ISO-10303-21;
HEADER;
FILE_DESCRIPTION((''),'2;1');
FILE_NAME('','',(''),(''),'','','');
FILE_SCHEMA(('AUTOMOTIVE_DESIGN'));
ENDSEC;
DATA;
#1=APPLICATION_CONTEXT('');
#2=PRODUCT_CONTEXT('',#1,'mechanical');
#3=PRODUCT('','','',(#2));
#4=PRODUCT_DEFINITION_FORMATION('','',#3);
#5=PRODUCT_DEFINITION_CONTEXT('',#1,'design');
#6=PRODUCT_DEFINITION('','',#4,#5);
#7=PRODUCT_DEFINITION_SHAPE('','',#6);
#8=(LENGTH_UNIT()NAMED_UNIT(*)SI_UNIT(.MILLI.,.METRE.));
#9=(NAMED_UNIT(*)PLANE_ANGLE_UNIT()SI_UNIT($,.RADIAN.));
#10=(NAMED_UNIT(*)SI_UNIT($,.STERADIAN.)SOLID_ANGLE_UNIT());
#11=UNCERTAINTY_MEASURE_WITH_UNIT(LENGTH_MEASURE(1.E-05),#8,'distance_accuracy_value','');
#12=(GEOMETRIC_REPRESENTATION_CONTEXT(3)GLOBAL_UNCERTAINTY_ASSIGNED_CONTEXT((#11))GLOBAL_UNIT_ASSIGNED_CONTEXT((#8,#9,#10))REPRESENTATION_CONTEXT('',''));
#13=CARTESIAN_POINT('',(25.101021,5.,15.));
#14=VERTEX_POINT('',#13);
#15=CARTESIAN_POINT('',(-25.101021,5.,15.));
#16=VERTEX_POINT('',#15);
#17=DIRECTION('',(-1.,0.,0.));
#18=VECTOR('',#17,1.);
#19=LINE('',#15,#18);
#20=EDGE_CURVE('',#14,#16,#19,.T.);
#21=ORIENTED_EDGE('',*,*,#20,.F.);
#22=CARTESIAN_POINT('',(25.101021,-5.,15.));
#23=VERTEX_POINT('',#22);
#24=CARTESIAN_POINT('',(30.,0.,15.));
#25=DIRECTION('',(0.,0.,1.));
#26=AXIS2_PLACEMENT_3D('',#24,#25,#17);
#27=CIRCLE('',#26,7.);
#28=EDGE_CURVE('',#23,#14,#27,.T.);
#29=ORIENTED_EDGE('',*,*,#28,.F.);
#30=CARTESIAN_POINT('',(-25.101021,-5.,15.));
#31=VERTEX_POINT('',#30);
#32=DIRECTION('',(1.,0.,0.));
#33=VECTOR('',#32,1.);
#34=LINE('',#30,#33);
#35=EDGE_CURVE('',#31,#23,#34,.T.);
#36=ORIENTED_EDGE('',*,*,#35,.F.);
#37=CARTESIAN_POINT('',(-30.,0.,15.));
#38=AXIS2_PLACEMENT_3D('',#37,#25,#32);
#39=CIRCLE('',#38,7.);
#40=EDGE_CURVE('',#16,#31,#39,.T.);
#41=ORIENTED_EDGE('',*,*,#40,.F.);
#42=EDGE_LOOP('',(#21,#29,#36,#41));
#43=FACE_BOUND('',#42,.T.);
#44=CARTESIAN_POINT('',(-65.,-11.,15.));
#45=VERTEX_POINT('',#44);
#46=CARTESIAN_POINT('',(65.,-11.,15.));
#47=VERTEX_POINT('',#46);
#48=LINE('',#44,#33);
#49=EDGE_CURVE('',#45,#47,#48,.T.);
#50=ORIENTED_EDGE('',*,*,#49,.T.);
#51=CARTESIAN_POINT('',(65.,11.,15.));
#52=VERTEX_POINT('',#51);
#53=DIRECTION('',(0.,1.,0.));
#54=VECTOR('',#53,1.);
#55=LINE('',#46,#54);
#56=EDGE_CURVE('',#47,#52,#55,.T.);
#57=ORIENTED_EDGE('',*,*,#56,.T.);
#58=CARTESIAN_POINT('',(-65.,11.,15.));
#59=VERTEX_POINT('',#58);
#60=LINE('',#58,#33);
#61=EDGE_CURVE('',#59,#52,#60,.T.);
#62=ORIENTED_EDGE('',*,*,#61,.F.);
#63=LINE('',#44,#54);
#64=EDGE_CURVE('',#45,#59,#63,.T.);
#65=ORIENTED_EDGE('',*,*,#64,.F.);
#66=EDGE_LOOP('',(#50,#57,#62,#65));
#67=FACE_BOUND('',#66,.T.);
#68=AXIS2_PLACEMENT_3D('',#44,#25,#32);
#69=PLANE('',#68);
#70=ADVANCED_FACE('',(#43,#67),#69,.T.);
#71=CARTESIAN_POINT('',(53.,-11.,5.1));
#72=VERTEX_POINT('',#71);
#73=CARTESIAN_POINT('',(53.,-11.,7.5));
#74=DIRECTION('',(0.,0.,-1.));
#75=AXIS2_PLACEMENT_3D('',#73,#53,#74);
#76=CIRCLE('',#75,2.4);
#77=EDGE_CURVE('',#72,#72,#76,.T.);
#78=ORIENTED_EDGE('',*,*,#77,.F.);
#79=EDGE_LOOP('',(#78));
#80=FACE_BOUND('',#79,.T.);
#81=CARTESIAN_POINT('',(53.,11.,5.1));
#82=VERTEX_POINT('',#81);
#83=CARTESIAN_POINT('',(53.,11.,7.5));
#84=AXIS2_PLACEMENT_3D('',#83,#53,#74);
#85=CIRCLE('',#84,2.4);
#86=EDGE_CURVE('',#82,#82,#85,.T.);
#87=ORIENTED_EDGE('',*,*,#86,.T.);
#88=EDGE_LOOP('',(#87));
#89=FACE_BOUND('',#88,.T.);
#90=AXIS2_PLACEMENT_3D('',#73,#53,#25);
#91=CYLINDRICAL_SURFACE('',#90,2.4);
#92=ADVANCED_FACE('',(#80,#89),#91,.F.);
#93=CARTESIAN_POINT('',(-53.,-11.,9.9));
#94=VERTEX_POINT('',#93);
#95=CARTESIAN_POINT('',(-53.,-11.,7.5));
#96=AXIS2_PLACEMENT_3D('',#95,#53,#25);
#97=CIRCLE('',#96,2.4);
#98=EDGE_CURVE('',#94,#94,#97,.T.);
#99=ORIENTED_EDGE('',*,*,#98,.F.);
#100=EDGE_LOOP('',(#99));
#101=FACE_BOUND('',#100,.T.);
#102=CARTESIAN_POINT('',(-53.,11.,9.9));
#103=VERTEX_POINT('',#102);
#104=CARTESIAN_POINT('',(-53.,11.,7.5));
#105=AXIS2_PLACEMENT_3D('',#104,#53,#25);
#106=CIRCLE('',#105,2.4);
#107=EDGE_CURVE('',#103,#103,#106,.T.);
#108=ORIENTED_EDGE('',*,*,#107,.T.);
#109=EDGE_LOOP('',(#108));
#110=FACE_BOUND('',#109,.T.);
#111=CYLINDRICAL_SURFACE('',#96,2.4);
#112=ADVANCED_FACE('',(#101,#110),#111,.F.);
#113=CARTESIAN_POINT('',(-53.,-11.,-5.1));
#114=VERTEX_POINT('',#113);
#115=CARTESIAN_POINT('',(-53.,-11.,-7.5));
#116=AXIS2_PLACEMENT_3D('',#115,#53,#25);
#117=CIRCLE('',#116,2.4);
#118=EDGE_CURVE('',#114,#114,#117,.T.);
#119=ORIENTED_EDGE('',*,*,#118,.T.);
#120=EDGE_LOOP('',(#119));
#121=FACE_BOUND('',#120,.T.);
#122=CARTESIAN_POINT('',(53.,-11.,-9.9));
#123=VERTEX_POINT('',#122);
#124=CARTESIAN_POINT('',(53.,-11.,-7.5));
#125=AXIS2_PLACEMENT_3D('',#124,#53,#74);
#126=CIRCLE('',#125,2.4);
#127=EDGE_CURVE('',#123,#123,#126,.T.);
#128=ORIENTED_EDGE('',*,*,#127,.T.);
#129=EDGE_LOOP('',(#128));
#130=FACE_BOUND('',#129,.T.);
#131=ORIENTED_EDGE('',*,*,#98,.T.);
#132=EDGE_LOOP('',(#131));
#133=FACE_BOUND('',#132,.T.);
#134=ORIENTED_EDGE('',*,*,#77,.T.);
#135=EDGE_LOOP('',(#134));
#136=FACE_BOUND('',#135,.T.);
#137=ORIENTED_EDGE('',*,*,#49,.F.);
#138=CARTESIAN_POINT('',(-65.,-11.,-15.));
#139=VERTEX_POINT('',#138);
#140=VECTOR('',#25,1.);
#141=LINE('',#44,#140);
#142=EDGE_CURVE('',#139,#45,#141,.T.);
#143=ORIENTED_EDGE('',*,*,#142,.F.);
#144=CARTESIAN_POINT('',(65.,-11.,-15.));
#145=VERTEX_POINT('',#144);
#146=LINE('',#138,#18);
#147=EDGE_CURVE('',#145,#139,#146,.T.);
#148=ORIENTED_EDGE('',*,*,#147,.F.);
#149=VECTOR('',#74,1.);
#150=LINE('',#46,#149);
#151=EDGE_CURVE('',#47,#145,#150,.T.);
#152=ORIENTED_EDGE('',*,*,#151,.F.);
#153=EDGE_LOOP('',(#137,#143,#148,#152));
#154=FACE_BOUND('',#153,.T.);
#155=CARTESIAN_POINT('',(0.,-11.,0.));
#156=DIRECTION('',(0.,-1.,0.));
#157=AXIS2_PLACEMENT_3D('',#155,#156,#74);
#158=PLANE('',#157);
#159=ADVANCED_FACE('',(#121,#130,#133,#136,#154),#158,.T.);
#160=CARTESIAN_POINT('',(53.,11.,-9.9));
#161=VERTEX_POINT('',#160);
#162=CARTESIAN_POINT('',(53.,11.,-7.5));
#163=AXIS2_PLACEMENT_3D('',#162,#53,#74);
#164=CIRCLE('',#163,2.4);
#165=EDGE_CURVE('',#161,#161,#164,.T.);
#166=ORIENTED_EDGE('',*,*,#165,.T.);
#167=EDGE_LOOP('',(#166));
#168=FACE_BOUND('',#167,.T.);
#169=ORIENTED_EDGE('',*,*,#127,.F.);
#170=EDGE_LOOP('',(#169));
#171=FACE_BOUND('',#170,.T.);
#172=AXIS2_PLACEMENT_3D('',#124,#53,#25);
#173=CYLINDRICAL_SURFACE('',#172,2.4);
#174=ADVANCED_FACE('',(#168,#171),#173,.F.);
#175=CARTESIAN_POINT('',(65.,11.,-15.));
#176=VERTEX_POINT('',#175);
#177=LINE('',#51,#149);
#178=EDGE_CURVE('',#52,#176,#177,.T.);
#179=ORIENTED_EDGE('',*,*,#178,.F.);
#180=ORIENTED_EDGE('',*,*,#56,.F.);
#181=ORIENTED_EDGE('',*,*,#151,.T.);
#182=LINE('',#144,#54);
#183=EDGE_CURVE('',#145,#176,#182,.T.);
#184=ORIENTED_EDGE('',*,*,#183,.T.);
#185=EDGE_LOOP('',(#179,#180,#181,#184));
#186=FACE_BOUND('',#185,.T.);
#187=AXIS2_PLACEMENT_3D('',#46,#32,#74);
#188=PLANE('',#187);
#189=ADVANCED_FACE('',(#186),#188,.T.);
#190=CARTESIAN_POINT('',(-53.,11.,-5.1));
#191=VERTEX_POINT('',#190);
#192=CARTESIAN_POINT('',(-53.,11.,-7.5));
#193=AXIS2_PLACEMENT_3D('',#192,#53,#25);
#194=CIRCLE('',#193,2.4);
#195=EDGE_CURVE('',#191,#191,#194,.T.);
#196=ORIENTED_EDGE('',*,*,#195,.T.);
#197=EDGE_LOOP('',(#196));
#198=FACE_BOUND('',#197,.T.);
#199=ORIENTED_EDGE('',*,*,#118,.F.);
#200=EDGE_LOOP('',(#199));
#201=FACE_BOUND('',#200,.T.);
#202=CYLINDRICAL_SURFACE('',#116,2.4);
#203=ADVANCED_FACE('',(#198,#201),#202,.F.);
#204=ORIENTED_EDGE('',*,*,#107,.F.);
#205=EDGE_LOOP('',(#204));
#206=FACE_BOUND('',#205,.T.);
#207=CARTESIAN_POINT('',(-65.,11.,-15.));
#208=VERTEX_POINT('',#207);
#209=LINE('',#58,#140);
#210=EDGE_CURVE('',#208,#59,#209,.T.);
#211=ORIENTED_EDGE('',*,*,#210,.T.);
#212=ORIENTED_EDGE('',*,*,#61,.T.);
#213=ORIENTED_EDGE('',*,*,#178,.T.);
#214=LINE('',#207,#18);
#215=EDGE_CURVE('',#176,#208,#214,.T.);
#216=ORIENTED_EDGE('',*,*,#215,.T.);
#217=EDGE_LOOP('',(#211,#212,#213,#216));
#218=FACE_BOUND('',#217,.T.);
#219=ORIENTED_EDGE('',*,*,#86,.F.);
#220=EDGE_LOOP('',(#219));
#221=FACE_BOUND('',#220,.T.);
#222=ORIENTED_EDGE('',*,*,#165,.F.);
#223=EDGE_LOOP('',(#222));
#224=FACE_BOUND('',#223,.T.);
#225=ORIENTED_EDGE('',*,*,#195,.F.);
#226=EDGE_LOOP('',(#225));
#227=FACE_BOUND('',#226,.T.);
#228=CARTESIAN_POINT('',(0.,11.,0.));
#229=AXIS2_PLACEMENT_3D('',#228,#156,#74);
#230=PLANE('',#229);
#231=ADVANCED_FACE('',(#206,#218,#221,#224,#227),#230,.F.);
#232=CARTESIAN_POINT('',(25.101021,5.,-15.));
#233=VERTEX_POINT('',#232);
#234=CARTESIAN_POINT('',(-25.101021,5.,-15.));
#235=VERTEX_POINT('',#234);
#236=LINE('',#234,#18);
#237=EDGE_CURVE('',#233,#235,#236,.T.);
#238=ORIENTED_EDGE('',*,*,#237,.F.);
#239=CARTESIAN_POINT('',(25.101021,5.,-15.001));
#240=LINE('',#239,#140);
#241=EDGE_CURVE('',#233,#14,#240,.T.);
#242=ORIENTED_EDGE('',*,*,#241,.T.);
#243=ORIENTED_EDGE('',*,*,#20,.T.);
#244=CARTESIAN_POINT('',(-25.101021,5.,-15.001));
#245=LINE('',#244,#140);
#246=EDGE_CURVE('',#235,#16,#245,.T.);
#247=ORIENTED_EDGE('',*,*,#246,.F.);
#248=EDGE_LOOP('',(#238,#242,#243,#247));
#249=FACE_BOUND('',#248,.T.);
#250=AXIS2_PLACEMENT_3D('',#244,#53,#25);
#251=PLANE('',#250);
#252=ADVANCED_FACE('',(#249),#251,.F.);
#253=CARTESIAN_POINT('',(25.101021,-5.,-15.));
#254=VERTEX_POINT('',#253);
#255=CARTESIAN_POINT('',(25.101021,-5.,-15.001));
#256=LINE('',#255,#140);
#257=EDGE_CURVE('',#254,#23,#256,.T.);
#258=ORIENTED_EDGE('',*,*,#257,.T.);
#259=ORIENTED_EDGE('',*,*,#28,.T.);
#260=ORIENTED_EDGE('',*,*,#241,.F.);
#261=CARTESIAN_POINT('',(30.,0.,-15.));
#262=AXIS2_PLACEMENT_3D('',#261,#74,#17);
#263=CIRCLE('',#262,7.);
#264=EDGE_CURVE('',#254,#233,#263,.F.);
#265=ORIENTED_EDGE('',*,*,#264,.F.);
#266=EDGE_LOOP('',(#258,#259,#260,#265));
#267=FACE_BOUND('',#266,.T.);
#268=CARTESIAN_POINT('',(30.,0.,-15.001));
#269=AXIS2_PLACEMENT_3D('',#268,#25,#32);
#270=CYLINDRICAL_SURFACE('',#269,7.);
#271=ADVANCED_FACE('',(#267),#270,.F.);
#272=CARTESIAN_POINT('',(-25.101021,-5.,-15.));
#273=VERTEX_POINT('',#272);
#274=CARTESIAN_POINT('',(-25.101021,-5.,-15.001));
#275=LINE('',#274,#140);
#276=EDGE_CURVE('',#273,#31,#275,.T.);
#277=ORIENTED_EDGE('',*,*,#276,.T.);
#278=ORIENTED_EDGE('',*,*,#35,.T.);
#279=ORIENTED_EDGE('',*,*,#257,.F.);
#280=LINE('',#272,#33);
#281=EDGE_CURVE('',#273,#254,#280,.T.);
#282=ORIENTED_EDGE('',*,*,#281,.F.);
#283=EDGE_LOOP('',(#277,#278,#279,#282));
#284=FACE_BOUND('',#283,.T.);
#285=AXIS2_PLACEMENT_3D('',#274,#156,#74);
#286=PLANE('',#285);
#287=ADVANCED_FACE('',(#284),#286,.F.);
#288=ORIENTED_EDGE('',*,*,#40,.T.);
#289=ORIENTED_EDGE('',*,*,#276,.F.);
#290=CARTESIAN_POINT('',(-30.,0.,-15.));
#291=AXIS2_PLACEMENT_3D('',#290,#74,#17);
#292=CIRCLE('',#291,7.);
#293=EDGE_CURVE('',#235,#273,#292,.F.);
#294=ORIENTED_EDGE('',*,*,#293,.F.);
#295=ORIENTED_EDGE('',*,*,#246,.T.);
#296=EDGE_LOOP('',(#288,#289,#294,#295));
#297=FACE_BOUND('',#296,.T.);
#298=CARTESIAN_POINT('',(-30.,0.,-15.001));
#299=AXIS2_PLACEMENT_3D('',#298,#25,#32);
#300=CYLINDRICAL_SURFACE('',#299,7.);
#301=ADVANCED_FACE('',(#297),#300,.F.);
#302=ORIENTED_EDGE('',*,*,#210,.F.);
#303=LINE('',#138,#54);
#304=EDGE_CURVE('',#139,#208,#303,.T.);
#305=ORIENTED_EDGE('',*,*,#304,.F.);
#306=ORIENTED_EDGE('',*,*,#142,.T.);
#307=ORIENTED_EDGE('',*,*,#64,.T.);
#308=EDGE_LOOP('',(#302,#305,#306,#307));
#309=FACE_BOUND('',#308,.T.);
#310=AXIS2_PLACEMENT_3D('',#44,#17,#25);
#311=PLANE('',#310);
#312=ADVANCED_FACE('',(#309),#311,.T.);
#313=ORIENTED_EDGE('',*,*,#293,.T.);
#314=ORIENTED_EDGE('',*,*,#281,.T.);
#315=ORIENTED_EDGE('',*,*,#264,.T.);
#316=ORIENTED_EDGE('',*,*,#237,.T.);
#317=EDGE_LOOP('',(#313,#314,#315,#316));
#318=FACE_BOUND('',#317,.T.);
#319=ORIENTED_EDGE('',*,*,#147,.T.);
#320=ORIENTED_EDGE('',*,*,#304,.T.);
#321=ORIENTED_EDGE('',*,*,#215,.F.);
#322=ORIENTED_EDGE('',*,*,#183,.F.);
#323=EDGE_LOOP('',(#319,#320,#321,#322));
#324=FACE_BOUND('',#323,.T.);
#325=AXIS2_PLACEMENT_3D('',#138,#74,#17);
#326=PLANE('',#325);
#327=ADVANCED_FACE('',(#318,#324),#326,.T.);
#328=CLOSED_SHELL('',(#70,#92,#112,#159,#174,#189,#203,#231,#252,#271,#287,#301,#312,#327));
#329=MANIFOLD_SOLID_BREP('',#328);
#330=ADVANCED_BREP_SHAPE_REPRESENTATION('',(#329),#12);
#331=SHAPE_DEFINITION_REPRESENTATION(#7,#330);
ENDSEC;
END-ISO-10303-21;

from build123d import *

# Parameters (mm, degrees)
AUFSATZ_LINEAR_AUSTRAGEN1_DEPTH      = 11
AUFSATZ_LINEAR_AUSTRAGEN1_DEPTH_BACK = 11
SKIZZE2_W                            = 130
SKIZZE2_H                            = 30
SKIZZE2_R                            = 2.4
SCHNITT_LINEAR_AUSTRAGEN1_REACH      = 74.429


with BuildPart() as part:
    # Skizze2 → Aufsatz-Linear austragen1 (new, two sides: drawn at the far end of the back side and taken through both)
    with BuildSketch(Plane(origin=(0, 0, 0), x_dir=(1, 0, 0), z_dir=(0, 1, 0)).offset(-AUFSATZ_LINEAR_AUSTRAGEN1_DEPTH_BACK)):
        Rectangle(SKIZZE2_W, SKIZZE2_H)
        with Locations((-53, -7.5)):
            Circle(SKIZZE2_R, mode=Mode.SUBTRACT)
        with Locations((-53, 7.5)):
            Circle(SKIZZE2_R, mode=Mode.SUBTRACT)
        with Locations((53, -7.5)):
            Circle(SKIZZE2_R, mode=Mode.SUBTRACT)
        with Locations((53, 7.5)):
            Circle(SKIZZE2_R, mode=Mode.SUBTRACT)
    extrude(amount=AUFSATZ_LINEAR_AUSTRAGEN1_DEPTH + AUFSATZ_LINEAR_AUSTRAGEN1_DEPTH_BACK)

    # Skizze5 → Schnitt-Linear austragen1 (cut, up to next)
    with BuildSketch(Plane.XY.offset(15), mode=Mode.PRIVATE) as schnitt_linear_austragen1_sk1:
        with BuildLine():
            Line((-25.101020514, 5), (25.101020514, 5))
            ThreePointArc((25.101020514, 5), (37, 0), (25.101020514, -5))
            Line((25.101020514, -5), (-25.101020514, -5))
            ThreePointArc((-25.101020514, -5), (-37, 0), (-25.101020514, 5))
        make_face()
    schnitt_linear_austragen1_tool1 = extrude(schnitt_linear_austragen1_sk1.sketch, amount=-SCHNITT_LINEAR_AUSTRAGEN1_REACH, mode=Mode.PRIVATE) & part.part
    add(schnitt_linear_austragen1_tool1.solids().sort_by_distance((0, 0, 15))[0], mode=Mode.SUBTRACT)


solid = part.part
